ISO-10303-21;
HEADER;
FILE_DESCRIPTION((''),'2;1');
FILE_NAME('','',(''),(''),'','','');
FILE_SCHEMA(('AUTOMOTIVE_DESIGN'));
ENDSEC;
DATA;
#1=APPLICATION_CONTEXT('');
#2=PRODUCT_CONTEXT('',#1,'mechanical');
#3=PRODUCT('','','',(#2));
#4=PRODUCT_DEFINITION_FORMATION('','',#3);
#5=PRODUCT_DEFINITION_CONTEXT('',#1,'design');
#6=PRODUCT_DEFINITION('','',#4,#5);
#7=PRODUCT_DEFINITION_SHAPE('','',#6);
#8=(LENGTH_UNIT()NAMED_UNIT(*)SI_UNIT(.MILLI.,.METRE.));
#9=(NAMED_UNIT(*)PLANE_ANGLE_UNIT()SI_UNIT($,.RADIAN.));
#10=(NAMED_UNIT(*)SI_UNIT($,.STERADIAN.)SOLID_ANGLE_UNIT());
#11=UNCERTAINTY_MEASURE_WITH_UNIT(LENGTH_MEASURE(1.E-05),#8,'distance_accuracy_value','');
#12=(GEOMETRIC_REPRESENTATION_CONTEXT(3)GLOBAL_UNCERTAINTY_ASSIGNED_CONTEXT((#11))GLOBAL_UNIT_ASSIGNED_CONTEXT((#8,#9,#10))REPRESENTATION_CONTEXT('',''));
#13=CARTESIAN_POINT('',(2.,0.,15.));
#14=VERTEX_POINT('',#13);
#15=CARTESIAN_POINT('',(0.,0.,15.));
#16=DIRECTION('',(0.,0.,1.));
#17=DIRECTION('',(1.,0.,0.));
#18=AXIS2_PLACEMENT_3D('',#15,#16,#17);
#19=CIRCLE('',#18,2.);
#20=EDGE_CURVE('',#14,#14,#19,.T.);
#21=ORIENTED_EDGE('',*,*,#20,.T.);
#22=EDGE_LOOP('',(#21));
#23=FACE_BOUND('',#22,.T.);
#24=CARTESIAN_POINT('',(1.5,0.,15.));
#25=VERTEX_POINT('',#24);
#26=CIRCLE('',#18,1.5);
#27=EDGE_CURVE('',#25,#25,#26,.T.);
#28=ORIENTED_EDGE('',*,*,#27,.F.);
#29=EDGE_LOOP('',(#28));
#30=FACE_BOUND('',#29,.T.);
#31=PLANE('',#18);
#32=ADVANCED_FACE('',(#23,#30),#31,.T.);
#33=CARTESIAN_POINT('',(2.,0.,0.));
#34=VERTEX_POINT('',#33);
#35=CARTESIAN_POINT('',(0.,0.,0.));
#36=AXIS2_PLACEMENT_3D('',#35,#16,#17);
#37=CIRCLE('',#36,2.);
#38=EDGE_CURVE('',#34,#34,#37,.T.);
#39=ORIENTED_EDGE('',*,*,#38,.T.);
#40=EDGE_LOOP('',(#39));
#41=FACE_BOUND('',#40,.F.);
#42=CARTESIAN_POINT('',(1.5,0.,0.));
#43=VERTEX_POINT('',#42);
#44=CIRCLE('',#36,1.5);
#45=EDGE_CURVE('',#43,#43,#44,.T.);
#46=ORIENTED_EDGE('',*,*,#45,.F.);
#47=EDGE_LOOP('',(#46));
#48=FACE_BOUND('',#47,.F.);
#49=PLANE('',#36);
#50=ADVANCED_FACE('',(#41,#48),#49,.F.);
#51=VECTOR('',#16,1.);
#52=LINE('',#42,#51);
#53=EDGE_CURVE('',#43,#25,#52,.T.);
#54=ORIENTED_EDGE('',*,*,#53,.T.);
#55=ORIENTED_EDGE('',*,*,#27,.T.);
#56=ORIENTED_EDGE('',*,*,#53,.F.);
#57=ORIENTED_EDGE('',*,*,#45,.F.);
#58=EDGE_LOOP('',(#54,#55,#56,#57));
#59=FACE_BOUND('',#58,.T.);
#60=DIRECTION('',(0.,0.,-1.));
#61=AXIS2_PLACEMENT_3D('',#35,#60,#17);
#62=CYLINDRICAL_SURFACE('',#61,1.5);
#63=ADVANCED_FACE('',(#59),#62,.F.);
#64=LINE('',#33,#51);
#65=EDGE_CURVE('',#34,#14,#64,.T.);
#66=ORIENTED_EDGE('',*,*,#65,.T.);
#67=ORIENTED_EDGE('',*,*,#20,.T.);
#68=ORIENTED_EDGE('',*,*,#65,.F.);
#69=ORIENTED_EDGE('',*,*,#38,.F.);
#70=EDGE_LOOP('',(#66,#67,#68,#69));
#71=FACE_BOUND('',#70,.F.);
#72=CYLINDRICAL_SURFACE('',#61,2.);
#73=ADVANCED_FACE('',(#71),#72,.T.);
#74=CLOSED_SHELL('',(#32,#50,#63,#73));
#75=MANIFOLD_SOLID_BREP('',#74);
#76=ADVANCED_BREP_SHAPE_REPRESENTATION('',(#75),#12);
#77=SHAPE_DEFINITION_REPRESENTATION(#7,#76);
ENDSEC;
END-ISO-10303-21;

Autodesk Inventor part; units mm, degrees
ref_plane "YZ Plane" through (0, 0, 0) normal (1, 0, 0) x (0, 1, 0)
ref_plane "XZ Plane" through (0, 0, 0) normal (0, 1, 0) x (-1, 0, 0)
ref_plane "XY Plane" through (0, 0, 0) normal (0, 0, 1) x (1, 0, 0)
sketch "Skizze1" plane through (0, 0, 0) normal (0, 0, 1) x (1, 0, 0)
  circle A0 centre (0, 0) radius 1.5
  circle A1 centre (0, 0) radius 2
  dimension "d0" = 3
  dimension "d1" = 4
extrude "Extrusion1" add sketch "Skizze1" along normal blind 15
properties part number "Abstandshalter" material "Messing, weicher Gelbton"
